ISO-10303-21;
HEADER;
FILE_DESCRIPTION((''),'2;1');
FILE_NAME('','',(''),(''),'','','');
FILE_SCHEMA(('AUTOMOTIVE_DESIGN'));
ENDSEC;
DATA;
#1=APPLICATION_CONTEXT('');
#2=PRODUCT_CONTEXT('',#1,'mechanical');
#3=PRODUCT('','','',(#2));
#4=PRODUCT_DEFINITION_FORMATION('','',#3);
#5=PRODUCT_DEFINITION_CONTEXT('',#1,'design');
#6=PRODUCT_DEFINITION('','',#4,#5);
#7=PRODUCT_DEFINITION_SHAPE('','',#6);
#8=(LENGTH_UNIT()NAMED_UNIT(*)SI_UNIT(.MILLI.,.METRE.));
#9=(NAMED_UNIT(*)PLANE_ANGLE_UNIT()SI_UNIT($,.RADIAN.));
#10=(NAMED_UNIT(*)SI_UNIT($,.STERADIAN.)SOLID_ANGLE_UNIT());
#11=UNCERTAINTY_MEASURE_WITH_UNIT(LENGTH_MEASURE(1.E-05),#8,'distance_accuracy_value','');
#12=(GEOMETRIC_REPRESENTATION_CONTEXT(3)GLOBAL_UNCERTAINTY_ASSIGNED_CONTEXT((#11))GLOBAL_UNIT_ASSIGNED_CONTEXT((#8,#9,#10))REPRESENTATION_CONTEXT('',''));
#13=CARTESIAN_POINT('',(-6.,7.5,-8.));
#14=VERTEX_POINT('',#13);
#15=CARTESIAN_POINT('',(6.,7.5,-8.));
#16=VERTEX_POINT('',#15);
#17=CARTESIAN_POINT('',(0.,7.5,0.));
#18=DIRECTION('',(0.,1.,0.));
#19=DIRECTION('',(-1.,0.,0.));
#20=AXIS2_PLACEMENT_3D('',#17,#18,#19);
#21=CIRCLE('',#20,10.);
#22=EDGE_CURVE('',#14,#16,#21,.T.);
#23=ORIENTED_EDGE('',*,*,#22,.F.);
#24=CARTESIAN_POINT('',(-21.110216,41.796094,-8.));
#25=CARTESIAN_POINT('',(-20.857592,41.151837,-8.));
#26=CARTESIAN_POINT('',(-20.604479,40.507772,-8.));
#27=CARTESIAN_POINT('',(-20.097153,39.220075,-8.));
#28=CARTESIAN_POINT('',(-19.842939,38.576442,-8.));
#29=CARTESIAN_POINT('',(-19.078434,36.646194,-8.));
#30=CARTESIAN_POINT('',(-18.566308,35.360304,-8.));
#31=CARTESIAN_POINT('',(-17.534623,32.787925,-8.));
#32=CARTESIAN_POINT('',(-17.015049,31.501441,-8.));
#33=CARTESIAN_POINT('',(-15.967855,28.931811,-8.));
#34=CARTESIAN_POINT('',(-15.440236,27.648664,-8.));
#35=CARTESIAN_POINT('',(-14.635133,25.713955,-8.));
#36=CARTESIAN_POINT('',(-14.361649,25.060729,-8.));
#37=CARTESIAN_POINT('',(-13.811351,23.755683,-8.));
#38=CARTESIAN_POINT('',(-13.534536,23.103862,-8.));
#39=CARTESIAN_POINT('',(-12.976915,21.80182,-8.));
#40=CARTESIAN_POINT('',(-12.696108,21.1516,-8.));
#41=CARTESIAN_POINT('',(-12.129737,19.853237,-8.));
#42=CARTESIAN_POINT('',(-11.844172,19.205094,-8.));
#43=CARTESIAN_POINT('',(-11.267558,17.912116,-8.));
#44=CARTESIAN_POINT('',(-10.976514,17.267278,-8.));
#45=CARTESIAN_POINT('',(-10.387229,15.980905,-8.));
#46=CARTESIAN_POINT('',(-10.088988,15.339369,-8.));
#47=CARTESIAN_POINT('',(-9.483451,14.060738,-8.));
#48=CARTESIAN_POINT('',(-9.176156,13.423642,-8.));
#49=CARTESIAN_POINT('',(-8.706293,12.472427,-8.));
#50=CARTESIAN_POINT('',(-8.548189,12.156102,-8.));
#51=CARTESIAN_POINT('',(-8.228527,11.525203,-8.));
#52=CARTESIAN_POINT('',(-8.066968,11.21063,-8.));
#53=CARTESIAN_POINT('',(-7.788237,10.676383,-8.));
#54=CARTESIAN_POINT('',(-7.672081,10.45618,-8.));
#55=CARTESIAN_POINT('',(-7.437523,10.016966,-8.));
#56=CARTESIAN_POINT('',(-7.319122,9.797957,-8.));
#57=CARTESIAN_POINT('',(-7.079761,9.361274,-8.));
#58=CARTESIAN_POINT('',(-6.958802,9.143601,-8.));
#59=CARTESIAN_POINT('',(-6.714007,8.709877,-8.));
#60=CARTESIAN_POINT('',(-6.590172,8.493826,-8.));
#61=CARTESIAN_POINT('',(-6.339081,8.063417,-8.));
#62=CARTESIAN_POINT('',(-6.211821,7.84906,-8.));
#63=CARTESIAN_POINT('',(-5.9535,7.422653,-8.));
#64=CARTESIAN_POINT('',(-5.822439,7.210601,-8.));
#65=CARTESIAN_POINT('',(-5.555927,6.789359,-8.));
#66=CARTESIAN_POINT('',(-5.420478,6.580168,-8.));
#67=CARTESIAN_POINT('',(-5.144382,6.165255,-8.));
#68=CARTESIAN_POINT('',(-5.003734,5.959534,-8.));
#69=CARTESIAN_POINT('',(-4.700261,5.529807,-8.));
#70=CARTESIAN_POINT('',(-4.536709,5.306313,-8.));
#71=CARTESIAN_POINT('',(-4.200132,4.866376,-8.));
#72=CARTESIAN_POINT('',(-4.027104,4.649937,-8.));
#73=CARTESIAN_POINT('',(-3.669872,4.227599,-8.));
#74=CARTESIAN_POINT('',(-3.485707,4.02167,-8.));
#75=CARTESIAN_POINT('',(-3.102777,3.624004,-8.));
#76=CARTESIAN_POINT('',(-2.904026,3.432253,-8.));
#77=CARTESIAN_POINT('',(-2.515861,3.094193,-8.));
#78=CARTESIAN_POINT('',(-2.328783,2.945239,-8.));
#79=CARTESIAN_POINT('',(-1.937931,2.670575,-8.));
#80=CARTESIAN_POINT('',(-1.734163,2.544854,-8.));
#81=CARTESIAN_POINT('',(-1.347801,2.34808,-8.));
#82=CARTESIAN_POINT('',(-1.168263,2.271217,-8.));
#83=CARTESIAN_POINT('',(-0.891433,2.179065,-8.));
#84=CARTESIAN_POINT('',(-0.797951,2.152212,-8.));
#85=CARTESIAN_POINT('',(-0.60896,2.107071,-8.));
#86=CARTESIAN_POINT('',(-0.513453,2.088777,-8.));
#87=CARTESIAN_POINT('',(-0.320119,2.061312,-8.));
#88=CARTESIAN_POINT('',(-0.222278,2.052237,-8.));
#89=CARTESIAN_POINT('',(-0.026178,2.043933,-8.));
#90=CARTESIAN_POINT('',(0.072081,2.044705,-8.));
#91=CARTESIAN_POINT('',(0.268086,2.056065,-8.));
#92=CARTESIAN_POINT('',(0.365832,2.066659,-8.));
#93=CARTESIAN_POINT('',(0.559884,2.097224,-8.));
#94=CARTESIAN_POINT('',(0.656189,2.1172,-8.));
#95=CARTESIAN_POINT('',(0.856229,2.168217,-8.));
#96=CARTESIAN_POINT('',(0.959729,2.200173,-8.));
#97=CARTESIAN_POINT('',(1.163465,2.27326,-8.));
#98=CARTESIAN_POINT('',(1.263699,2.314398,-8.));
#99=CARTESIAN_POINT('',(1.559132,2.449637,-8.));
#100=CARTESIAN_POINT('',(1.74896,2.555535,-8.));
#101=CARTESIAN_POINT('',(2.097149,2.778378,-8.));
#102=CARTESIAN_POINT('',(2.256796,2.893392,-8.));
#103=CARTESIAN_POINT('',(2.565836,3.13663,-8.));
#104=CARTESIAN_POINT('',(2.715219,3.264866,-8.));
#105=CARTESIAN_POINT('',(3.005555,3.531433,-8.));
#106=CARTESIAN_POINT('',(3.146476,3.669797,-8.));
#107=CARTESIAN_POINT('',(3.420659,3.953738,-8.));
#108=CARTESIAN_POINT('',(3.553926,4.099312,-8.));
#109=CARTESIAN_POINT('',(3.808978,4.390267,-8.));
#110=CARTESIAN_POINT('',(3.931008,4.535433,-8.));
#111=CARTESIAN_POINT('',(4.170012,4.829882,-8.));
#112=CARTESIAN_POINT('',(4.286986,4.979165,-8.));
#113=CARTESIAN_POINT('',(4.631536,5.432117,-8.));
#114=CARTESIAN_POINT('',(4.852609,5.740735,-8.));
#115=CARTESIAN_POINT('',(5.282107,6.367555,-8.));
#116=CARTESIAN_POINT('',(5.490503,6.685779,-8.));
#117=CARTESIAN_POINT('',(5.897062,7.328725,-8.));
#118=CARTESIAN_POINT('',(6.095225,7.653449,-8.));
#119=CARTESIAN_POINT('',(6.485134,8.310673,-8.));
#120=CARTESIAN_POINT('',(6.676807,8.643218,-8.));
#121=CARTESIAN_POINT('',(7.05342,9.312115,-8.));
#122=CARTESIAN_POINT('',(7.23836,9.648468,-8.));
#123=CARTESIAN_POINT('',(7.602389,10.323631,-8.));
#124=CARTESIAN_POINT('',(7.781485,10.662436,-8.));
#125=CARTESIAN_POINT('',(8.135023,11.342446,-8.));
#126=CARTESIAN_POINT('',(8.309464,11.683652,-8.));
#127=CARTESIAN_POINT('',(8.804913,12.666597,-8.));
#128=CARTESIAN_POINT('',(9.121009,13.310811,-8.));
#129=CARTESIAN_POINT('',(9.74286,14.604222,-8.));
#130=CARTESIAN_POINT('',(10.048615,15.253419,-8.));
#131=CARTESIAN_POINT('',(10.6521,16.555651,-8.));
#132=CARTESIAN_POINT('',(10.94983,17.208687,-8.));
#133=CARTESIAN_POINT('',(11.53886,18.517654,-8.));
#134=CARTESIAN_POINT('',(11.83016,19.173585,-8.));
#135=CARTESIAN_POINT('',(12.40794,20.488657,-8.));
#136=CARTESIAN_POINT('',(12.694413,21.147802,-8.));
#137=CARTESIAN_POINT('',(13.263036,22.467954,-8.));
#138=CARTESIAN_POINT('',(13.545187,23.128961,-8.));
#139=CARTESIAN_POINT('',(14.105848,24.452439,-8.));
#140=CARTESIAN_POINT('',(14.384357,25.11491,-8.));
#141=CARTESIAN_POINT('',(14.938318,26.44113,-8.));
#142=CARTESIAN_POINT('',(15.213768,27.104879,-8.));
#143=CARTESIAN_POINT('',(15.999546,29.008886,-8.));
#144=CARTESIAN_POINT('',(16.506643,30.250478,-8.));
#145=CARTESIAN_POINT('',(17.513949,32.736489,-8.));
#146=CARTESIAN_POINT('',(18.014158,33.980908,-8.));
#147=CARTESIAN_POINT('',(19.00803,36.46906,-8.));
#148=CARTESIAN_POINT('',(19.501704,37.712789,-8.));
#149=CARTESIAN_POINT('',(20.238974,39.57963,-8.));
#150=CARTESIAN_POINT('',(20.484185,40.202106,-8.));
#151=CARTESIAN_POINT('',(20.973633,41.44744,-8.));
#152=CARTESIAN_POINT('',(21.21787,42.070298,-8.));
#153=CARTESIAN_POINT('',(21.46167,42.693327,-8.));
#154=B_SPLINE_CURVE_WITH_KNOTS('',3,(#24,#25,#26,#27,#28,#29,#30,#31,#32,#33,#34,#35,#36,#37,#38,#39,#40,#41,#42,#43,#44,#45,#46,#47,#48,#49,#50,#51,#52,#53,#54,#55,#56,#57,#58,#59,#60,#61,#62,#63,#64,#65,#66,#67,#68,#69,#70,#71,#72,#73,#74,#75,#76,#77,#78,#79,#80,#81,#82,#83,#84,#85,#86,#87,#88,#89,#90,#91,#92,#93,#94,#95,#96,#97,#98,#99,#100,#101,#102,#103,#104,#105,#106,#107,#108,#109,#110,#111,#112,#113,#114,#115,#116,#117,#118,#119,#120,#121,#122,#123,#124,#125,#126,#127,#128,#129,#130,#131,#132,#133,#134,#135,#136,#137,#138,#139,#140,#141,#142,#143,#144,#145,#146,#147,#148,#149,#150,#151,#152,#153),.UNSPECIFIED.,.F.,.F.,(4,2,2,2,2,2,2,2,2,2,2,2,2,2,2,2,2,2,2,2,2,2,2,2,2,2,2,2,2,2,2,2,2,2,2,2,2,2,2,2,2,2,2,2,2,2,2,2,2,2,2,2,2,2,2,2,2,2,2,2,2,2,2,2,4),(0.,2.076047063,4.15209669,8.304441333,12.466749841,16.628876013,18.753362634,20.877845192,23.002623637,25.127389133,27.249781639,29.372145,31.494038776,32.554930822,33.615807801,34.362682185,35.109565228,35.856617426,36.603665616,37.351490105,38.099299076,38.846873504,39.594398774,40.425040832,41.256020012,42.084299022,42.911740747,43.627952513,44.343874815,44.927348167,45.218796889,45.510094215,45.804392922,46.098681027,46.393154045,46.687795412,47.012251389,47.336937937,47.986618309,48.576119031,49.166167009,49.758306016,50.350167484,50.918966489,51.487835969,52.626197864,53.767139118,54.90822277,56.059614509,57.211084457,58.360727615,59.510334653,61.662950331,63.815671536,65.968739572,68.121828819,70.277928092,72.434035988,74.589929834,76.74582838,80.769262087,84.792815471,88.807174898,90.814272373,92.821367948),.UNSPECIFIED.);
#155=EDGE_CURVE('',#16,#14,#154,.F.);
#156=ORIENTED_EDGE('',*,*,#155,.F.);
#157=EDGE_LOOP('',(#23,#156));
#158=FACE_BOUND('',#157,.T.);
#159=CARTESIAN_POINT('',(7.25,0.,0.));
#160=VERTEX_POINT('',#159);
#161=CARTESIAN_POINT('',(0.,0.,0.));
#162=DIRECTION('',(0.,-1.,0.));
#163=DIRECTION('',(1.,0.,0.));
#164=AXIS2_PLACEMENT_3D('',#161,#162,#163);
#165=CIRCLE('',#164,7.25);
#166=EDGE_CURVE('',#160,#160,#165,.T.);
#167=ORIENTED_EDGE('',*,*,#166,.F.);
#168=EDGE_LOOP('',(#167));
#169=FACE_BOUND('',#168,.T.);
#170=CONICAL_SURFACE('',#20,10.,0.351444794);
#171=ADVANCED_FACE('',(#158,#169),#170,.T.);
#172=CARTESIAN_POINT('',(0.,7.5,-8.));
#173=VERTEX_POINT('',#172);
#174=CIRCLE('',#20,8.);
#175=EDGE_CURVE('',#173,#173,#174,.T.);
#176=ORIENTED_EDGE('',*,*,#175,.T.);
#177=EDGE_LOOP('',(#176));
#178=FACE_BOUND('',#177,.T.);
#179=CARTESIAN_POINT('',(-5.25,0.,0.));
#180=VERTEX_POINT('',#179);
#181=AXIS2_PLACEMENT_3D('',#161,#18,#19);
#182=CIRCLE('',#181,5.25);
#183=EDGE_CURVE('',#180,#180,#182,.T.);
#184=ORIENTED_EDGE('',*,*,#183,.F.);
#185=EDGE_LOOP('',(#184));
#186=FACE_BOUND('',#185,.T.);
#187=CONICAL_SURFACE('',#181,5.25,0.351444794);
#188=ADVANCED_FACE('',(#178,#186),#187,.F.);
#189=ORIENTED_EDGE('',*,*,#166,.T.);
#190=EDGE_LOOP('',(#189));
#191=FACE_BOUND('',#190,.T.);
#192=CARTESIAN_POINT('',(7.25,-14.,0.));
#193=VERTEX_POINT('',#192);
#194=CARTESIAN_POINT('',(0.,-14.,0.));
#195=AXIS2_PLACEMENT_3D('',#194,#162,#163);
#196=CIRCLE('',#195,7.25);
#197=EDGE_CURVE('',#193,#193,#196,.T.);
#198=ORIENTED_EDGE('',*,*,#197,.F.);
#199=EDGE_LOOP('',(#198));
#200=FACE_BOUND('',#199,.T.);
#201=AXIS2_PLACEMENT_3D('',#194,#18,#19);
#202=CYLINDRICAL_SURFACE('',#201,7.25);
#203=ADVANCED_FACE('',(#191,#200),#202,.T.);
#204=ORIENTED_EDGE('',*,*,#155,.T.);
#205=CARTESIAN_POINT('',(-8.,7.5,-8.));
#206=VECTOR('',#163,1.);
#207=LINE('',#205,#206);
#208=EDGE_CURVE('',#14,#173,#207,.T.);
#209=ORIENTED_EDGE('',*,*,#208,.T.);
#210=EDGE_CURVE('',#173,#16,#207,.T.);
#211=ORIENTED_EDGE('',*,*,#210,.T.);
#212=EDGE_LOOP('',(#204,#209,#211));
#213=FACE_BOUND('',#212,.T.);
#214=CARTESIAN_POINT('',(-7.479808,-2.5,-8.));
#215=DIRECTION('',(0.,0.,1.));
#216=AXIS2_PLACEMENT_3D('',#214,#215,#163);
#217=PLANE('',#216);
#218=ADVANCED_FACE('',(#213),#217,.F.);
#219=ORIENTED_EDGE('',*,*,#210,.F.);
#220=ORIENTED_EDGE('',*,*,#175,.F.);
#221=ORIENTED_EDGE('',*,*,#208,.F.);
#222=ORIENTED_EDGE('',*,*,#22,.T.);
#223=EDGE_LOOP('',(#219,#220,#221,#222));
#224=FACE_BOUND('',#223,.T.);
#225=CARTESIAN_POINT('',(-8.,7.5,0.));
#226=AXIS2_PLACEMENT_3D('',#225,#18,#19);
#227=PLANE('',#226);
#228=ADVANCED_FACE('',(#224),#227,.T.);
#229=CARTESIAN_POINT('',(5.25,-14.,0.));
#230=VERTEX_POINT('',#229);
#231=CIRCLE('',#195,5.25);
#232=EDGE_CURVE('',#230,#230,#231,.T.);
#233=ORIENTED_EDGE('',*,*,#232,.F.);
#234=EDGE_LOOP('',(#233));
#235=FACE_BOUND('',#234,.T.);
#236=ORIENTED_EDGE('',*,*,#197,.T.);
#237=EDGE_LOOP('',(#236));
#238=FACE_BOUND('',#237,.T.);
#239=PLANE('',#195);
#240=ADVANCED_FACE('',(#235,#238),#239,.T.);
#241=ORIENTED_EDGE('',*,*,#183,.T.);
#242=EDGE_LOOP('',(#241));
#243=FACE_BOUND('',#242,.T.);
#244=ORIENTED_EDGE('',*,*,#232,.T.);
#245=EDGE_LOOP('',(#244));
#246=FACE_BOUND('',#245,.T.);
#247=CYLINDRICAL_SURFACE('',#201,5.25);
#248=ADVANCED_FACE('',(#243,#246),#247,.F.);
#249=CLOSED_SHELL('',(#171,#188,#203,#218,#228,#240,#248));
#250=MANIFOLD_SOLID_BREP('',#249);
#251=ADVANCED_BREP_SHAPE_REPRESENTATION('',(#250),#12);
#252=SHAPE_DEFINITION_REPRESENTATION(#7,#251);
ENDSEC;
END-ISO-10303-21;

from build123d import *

# Parameters (mm, degrees)
CROQUIS3_R              = 7.25
CROQUIS3_R_2            = 5.25
SALIENTE_EXTRUIR1_DEPTH = 14
CROQUIS4_W              = 14.959615834
CROQUIS4_H              = 3.245468311
CORTAR_EXTRUIR1_DEPTH   = 10


with BuildPart() as part:
    # Croquis2 → Revolución1 (revolve)
    with BuildSketch(Plane.XY):
        Polygon((-5.25, 0), (-8, 7.5), (-10, 7.5), (-7.25, 0), align=None)
    revolve(axis=Axis((0, 7.5, 0), (0, -1, 0)))

    # Croquis3 → Saliente-Extruir1 (add)
    with BuildSketch(Plane.XZ):
        Circle(CROQUIS3_R)
        Circle(CROQUIS3_R_2, mode=Mode.SUBTRACT)
    extrude(amount=SALIENTE_EXTRUIR1_DEPTH)

    # Croquis4 → Cortar-Extruir1 (cut)
    with BuildSketch(Plane(origin=(0, 7.5, 0), x_dir=(1, 0, 0), z_dir=(0, 1, 0))):
        with Locations((0, 9.622734156)):
            Rectangle(CROQUIS4_W, CROQUIS4_H)
    extrude(amount=-CORTAR_EXTRUIR1_DEPTH, mode=Mode.SUBTRACT)


solid = part.part
